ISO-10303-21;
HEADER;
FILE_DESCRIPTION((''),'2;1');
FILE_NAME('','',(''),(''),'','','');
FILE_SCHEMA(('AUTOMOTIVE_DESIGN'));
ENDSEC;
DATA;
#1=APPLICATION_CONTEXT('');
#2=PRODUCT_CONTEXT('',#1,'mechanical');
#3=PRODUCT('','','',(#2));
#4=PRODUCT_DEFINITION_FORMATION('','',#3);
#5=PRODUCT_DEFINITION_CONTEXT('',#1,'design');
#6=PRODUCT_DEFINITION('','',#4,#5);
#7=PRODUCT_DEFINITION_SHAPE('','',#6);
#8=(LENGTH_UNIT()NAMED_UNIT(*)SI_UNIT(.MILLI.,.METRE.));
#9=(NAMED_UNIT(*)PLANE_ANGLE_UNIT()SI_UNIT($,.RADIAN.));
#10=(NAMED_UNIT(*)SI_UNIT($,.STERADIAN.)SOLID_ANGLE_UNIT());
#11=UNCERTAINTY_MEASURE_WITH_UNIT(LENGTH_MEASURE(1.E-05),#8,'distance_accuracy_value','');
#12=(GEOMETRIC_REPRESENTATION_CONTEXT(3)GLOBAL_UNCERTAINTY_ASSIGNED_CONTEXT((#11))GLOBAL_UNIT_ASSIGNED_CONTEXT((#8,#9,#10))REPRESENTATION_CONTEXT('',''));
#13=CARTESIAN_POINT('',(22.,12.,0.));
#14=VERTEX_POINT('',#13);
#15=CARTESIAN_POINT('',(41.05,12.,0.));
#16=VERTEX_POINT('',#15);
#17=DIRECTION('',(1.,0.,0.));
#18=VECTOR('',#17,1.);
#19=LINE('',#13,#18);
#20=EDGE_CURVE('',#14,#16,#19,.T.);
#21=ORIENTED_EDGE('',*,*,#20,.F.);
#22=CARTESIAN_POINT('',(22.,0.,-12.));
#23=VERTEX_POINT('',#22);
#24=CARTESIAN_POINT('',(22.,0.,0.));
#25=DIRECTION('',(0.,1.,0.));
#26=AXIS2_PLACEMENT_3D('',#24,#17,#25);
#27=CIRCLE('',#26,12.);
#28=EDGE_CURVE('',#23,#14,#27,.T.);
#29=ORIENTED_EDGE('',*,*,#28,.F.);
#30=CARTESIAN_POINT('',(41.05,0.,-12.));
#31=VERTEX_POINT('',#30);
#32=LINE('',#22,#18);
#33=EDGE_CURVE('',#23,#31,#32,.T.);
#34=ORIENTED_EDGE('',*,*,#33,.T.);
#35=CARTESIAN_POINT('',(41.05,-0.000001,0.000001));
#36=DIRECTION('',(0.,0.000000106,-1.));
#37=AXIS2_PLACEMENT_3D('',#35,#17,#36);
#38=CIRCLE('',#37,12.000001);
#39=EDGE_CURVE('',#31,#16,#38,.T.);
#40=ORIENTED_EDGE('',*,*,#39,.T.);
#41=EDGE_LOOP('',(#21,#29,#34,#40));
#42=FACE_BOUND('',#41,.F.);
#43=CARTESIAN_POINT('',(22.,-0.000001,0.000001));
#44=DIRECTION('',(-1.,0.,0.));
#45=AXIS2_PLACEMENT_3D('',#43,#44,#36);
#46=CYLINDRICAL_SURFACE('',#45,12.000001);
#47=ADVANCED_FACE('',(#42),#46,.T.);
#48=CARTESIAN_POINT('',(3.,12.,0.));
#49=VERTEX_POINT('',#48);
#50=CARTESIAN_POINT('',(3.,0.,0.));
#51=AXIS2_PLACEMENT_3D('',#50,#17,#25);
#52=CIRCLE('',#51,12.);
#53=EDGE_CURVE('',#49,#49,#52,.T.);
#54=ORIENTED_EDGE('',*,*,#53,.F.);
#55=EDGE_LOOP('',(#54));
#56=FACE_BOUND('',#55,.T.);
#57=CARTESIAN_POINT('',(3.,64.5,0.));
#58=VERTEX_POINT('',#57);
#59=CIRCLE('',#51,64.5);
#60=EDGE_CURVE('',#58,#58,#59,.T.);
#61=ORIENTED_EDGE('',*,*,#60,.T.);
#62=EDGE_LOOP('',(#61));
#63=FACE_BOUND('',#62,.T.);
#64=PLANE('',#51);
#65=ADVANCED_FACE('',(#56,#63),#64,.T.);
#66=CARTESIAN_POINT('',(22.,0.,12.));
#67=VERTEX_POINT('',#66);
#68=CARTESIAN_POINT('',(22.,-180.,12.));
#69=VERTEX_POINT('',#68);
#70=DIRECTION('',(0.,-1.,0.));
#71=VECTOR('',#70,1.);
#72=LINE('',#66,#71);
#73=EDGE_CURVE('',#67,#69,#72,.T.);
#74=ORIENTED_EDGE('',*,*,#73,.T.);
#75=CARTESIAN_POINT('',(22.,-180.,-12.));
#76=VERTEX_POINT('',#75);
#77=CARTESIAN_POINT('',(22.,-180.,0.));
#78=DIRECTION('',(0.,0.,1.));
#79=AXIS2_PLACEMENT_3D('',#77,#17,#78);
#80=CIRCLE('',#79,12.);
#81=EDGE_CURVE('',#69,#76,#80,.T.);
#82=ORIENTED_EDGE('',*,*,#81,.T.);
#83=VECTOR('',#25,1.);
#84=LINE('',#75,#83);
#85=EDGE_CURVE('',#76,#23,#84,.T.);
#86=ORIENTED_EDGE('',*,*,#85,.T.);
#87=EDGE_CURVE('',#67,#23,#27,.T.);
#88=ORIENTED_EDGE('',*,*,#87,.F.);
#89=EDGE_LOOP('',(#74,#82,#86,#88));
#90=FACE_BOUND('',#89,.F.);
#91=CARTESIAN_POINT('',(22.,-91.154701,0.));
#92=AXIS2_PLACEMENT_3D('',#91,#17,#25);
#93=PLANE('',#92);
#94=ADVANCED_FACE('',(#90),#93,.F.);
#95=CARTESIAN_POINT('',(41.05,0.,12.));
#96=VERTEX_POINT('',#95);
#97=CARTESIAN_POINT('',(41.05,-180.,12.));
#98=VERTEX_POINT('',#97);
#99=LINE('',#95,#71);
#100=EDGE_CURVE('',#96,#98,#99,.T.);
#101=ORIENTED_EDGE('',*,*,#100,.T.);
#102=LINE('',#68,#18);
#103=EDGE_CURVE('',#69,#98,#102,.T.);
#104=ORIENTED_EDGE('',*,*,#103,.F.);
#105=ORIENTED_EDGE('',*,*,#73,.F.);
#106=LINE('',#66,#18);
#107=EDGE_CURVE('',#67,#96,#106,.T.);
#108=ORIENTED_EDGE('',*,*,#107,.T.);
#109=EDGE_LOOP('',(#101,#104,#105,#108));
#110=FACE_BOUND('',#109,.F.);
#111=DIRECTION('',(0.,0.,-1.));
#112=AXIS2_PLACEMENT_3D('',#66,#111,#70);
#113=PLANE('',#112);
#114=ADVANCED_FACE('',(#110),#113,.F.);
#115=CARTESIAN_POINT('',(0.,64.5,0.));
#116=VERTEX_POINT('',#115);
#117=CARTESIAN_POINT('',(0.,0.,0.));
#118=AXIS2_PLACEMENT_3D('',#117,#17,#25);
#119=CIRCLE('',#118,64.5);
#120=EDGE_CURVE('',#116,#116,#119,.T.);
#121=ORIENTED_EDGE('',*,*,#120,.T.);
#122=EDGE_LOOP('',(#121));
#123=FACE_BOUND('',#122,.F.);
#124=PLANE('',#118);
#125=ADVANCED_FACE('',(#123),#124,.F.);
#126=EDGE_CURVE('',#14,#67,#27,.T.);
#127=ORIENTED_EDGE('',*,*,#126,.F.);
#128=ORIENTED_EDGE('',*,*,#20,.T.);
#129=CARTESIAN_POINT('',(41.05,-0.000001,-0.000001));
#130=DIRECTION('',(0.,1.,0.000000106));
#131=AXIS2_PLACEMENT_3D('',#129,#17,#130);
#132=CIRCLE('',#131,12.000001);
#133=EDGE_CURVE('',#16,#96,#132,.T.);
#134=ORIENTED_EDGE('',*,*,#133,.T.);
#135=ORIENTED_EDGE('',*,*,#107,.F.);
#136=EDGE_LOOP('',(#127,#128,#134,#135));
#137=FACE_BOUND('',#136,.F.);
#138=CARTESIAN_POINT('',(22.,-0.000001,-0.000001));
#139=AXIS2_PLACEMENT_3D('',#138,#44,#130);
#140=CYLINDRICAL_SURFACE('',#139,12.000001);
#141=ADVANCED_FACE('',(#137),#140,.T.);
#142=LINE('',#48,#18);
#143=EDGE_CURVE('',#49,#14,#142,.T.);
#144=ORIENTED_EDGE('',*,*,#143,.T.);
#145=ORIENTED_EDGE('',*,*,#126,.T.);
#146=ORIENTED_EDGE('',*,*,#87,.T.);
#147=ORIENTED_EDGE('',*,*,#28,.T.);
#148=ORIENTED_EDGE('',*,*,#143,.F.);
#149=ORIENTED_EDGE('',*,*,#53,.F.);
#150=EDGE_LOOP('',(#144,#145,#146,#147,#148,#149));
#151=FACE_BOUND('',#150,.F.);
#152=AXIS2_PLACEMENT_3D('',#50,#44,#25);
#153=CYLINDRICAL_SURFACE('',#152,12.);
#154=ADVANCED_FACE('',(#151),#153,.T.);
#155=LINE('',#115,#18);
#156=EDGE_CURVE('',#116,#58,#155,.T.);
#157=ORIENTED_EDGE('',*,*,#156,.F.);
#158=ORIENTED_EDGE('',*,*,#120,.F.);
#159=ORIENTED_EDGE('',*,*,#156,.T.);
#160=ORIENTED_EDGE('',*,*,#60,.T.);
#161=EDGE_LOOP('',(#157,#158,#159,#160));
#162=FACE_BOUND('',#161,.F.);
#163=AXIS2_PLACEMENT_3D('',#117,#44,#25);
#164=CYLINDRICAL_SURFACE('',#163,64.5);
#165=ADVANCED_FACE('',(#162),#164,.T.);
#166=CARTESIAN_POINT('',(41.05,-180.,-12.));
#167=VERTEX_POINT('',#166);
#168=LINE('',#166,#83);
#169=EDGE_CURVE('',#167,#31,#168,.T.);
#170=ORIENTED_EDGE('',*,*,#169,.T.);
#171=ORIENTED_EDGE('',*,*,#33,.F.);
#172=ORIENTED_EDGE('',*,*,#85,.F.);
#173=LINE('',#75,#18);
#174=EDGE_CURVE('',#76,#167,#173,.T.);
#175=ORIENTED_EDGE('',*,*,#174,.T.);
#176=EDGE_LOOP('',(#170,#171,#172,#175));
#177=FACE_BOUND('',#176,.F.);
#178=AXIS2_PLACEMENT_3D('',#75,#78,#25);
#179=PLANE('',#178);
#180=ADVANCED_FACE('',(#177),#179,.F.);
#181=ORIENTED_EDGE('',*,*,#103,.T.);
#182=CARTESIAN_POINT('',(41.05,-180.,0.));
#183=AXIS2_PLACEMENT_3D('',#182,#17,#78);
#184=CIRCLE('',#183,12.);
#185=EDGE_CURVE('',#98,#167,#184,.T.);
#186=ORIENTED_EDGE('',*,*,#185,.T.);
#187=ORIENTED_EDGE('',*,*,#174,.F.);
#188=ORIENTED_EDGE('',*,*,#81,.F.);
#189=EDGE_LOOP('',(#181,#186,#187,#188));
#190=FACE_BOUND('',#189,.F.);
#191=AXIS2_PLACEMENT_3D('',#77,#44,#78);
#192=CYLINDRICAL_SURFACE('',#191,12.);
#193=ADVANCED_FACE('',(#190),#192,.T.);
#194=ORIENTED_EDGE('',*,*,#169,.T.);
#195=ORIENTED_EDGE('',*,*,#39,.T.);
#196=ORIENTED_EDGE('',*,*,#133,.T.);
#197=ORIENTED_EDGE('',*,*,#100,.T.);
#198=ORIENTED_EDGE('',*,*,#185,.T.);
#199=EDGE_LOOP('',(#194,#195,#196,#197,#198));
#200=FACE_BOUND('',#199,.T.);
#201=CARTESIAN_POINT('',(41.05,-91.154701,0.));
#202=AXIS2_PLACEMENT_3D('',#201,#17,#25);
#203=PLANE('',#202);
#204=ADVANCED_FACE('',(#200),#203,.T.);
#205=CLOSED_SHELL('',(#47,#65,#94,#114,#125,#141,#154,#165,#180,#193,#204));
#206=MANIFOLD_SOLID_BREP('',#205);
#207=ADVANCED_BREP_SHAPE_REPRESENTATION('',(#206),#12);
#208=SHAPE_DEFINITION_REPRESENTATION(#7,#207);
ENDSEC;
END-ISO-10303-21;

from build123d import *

# Parameters (mm, degrees)
F0_R     = 64.5
F1_DEPTH = 3
F2_R     = 12
F3_DEPTH = 19
F5_DEPTH = 19.05


with BuildPart() as f1:
    # F0 (on Right) → F1 (new body)
    with BuildSketch(Plane.YZ):
        Circle(F0_R)
    extrude(amount=F1_DEPTH)

    # F2 (on face) → F3 (join)
    with BuildSketch(Plane.YZ.offset(3)):
        Circle(F2_R)
    extrude(amount=F3_DEPTH)

    # F4 (on face) → F5 (join)
    with BuildSketch(Plane.YZ.offset(22)):
        with BuildLine():
            ThreePointArc((0, -12), (-12, 0), (0, 12))
            Line((0, 12), (-180, 12))
            ThreePointArc((-180, 12), (-192, 0), (-180, -12))
            Line((-180, -12), (0, -12))
        make_face()
        with BuildLine():
            ThreePointArc((12, 0), (8.485281, 8.485281), (0, 12))
            ThreePointArc((0, 12), (-12, 0), (0, -12))
            ThreePointArc((0, -12), (8.485281, -8.485281), (12, 0))
        make_face()
    extrude(amount=F5_DEPTH)


solid = f1.part
